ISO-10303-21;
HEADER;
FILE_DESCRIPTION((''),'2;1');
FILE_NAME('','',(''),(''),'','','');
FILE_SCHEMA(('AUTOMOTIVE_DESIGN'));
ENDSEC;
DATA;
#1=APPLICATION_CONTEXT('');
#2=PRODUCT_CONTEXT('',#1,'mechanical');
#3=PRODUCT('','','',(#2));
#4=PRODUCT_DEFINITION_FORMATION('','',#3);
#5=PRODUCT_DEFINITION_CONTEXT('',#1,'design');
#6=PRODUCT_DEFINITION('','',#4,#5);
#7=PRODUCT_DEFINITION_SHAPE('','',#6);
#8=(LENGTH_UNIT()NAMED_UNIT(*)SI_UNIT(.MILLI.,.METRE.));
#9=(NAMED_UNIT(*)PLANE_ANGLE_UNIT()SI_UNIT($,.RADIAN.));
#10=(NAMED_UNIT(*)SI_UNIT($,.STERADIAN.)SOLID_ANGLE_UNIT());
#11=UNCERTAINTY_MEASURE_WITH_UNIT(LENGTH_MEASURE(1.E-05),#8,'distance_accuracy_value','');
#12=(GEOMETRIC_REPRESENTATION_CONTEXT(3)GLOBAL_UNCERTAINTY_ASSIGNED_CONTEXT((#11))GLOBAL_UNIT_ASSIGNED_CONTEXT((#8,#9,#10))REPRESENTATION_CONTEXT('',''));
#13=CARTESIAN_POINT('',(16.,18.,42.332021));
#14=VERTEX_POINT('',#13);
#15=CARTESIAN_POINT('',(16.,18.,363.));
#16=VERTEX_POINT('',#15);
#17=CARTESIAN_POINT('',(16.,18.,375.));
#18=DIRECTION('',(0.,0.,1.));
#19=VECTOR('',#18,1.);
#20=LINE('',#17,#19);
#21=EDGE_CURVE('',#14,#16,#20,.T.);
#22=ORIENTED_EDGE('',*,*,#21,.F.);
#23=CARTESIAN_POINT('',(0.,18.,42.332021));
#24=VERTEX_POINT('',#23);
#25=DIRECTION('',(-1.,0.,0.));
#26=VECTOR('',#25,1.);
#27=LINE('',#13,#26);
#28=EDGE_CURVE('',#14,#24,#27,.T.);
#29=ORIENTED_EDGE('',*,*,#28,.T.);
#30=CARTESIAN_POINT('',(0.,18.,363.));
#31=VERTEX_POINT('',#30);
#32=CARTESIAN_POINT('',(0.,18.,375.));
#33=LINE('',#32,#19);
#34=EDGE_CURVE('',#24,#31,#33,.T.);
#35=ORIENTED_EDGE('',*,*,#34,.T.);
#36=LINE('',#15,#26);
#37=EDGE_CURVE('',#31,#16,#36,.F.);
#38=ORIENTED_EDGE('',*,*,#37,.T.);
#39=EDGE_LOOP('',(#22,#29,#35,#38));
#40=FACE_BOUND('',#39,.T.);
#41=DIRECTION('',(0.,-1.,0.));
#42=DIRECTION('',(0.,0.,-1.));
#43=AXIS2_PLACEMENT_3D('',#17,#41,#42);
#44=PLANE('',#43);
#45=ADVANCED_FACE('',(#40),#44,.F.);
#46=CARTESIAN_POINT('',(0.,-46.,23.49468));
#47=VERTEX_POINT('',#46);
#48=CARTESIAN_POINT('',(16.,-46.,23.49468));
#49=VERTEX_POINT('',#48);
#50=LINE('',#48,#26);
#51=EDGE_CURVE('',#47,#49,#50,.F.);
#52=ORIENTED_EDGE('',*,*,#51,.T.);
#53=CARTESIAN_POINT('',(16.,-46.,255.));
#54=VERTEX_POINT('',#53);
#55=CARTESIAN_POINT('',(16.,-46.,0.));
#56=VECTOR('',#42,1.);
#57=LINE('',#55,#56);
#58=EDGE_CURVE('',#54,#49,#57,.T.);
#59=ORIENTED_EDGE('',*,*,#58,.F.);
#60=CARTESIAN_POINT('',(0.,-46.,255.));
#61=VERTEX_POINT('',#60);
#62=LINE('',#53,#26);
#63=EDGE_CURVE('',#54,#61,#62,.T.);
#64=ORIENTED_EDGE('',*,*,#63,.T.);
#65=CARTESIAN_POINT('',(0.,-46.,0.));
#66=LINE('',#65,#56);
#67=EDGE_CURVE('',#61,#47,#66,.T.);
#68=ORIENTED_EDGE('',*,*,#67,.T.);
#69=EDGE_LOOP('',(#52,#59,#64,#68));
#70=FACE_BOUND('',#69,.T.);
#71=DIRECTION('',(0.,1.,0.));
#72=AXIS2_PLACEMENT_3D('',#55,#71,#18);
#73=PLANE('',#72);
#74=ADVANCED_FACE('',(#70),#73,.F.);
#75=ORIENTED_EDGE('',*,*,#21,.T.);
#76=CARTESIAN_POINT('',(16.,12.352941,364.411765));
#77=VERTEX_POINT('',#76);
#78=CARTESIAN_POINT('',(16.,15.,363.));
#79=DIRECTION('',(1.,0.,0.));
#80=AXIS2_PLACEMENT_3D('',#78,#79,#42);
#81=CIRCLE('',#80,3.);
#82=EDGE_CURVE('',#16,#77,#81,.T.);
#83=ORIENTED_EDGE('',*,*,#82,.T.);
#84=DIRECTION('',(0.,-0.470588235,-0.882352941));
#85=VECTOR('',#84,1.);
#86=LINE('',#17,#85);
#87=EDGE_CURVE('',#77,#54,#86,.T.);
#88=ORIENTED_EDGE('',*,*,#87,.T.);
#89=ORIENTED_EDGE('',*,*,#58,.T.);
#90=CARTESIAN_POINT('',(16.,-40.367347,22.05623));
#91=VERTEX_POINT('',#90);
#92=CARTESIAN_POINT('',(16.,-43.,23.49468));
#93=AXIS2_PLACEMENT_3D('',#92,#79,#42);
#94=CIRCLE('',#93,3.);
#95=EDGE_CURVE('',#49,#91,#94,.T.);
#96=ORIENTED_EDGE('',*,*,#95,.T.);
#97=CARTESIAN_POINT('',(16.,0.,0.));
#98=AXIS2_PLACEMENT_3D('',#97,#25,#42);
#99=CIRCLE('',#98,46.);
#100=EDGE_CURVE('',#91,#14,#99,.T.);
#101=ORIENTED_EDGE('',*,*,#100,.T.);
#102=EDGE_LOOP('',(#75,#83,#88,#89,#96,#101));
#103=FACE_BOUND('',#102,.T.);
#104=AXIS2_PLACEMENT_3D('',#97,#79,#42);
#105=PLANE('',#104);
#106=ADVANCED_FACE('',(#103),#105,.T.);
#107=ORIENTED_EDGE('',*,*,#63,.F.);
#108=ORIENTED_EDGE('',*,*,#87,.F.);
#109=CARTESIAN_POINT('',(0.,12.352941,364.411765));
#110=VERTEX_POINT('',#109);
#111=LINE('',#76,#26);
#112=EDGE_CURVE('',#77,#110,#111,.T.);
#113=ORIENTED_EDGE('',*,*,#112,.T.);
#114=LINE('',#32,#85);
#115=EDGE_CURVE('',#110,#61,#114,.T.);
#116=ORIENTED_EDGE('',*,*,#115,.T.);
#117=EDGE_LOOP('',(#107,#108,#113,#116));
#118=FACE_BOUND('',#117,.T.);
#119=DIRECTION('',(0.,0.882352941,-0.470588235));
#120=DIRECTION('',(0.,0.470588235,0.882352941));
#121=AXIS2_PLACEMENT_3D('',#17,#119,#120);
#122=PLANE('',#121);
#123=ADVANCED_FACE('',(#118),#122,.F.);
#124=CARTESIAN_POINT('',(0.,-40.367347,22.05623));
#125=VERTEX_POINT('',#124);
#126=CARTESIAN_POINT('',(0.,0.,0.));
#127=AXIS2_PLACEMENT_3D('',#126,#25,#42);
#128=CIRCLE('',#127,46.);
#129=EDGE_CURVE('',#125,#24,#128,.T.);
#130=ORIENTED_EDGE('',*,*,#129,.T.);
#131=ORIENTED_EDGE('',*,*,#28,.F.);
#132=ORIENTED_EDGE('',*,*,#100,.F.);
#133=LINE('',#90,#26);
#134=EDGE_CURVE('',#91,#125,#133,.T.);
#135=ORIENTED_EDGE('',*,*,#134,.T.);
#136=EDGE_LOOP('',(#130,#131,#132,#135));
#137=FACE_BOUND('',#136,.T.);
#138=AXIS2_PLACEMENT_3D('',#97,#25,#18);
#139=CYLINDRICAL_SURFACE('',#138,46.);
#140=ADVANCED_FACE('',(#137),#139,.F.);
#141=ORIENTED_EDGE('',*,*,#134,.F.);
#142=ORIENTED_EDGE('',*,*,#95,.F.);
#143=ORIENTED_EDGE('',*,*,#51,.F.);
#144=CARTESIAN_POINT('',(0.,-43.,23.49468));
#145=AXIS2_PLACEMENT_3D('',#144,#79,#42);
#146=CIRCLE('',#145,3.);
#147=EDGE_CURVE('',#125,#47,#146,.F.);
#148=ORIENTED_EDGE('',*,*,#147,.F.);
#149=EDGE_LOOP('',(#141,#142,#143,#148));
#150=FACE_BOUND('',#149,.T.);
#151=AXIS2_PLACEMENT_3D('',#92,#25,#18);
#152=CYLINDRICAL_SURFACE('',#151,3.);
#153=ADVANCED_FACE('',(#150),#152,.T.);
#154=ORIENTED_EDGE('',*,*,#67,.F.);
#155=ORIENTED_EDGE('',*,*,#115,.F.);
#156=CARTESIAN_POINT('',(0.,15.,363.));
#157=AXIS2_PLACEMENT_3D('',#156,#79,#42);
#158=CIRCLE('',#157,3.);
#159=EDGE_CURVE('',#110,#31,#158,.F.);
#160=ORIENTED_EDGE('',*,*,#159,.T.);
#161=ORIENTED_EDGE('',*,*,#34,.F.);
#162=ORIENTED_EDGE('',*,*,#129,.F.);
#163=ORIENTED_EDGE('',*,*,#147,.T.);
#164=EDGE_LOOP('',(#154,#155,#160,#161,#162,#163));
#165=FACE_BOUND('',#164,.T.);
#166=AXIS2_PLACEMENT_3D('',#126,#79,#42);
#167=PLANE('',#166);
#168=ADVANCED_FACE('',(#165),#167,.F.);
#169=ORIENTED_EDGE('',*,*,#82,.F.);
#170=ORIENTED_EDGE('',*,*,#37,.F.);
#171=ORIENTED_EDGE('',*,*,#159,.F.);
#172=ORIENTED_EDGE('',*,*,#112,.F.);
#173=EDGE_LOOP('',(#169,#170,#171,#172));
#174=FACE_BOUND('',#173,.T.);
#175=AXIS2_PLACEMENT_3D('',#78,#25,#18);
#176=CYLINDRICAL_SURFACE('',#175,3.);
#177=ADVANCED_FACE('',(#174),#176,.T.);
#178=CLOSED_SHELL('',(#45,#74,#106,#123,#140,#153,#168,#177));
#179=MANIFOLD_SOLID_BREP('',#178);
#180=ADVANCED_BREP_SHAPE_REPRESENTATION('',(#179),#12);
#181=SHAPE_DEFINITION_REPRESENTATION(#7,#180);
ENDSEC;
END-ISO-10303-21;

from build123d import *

# Parameters (mm, degrees)
EXTRUDE_1_DEPTH = 16
FILLET_1_R      = 3


with BuildPart() as part:
    # 草图1 → 凸台-拉伸1 (new body)
    with BuildSketch(Plane(origin=(0, 0, 0), x_dir=(0, 0, -1), z_dir=(1, 0, 0))):
        with BuildLine():
            Line((-375, 18), (-42.332020977, 18))
            ThreePointArc((-42.332020977, 18), (-38.366652187, -25.377155081), (0, -46))
            Line((0, -46), (-255, -46))
            Line((-255, -46), (-375, 18))
        make_face()
    extrude(amount=EXTRUDE_1_DEPTH)

    # 圆角1
    fillet_1_edges = [part.edges().sort_by_distance(p)[0] for p in [
        (8, 18, 375),
        (8, -46, 0),
    ]]
    fillet(fillet_1_edges, radius=FILLET_1_R)


solid = part.part
